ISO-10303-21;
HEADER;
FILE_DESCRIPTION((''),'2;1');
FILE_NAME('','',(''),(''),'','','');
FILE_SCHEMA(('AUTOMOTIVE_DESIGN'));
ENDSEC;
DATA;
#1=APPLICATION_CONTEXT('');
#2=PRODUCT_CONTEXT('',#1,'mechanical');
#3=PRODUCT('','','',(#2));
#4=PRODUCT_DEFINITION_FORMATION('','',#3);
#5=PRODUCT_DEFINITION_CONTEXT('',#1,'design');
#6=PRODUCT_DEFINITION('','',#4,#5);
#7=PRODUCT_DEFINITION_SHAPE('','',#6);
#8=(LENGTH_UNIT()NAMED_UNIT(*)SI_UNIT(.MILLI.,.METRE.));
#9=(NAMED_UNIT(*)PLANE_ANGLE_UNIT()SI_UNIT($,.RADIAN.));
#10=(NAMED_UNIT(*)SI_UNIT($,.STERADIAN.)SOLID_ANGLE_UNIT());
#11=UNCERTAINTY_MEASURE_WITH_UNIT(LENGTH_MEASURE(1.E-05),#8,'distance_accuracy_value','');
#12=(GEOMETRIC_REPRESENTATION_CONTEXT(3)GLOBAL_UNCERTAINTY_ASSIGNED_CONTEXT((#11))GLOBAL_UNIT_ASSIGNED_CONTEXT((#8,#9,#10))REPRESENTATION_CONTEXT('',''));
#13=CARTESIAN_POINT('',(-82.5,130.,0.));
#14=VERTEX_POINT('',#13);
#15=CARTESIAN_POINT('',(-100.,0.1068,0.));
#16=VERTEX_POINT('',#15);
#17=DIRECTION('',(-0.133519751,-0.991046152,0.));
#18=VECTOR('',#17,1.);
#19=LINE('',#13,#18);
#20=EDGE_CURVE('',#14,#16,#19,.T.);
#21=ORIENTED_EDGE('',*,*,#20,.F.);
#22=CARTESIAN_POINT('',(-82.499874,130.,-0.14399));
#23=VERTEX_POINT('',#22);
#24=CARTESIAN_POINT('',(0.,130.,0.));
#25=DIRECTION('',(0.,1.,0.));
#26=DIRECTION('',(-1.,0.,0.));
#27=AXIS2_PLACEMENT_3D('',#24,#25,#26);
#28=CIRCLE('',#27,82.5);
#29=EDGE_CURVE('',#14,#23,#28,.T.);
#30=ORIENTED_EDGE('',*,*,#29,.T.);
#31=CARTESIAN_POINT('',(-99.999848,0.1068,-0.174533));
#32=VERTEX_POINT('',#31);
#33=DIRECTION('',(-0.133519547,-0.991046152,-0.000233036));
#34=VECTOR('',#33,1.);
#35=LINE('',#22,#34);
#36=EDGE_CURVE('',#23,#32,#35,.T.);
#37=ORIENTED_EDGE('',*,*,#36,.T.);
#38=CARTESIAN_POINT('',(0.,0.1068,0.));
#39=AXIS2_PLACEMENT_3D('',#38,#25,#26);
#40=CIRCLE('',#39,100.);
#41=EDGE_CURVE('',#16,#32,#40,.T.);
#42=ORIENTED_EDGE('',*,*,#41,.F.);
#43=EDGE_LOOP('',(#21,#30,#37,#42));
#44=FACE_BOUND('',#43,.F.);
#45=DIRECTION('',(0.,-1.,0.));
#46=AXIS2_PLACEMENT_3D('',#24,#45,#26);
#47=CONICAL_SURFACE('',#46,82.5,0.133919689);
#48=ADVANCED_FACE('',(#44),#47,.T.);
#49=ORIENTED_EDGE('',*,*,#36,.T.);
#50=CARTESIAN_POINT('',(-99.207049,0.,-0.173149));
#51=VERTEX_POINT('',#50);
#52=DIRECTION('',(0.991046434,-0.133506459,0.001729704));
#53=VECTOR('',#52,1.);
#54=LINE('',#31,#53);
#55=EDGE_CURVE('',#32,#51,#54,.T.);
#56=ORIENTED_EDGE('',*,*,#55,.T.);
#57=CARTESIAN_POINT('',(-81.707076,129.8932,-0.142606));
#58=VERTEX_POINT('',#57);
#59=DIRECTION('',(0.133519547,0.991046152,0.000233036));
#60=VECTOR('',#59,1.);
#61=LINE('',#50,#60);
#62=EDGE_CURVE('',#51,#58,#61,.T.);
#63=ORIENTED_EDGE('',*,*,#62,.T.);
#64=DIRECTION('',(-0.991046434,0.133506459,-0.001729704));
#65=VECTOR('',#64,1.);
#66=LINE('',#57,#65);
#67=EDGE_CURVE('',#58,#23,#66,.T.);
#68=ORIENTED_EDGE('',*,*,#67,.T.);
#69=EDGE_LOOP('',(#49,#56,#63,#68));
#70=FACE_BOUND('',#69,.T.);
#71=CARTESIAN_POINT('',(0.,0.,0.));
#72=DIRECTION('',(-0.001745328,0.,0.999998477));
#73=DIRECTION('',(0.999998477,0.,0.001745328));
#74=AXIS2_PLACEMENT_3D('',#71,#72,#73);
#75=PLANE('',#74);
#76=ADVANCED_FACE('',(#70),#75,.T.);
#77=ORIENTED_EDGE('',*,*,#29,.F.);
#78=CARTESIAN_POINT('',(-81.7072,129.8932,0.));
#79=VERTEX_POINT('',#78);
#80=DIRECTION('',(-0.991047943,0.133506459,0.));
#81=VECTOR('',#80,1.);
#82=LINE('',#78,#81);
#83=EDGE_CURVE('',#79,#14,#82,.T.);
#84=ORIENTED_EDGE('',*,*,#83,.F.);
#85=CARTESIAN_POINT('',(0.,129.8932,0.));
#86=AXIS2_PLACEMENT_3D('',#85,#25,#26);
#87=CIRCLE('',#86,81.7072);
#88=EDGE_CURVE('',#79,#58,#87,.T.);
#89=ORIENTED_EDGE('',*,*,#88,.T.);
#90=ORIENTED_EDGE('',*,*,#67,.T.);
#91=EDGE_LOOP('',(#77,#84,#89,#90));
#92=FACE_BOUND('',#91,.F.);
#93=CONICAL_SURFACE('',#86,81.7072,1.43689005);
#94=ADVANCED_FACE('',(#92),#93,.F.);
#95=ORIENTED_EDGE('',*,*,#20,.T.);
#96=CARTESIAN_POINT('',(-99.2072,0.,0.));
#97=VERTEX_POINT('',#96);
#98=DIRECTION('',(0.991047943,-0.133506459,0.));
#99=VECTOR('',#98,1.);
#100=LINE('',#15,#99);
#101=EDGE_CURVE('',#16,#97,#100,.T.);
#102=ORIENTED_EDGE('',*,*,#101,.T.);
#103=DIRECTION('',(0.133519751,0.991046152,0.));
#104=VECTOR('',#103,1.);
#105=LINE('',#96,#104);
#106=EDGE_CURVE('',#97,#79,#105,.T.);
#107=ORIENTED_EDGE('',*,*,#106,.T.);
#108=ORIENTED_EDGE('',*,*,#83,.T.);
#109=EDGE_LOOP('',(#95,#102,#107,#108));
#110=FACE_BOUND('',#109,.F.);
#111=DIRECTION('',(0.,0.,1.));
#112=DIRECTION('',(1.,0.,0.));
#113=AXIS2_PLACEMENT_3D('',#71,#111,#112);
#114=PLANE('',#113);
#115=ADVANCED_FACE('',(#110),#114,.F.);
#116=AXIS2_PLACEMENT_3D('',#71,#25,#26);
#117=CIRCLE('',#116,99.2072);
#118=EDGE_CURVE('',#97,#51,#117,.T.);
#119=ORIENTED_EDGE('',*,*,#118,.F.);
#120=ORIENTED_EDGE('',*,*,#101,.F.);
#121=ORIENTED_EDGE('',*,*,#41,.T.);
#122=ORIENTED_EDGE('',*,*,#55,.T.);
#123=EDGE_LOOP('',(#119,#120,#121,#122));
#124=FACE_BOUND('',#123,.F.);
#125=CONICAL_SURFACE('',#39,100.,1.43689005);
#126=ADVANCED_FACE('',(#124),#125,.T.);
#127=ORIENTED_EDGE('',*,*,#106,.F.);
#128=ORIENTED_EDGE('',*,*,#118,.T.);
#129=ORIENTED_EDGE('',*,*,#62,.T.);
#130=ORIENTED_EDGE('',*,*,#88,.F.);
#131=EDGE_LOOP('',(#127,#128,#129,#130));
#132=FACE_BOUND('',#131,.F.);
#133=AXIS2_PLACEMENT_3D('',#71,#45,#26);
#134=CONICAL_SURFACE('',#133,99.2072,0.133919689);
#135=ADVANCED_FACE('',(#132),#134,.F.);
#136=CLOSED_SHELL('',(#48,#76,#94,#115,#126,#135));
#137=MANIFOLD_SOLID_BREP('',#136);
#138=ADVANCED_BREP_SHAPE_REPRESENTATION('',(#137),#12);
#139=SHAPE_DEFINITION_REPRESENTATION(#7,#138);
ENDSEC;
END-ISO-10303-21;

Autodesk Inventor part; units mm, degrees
ref_plane "YZ Plane" through (0, 0, 0) normal (1, 0, 0) x (0, 1, 0)
ref_plane "XZ Plane" through (0, 0, 0) normal (0, 1, 0) x (-1, 0, 0)
ref_plane "XY Plane" through (0, 0, 0) normal (0, 0, 1) x (1, 0, 0)
sketch "Sketch1" plane through (0, 0, 0) normal (0, 0, 1) x (1, 0, 0)
  line L0 (0, 0) -> (0, 130)
  line L1 (-82.5, 130) -> (-100, 0.1068)
  line L2 (-100, 0.1068) -> (-99.2072, 0)
  line L3 (-99.2072, 0) -> (-81.7072, 129.8932)
  line L4 (-81.7072, 129.8932) -> (-82.5, 130)
  line L5 (-82.5, 130) -> (-99.2072, 0) construction
  line L6 (-100, 0.1068) -> (-81.7072, 129.8932) construction
  point P0 (-90.8536, 65)
  dimension "d0" = 130
  dimension "d4" = 200
  dimension "d6" = 165
  dimension "d7" = 0.8
revolve "Revolution1" add sketch "Sketch1" angle 359.9 about axis through (0, 0, 0) along (0, 1, 0)
equation "\"d7\" = Thickness"
equation "\"BendRadius\" = Thickness"
equation "\"BendReliefWidth\" = Thickness"
equation "\"BendReliefDepth\" = 0.5 * Thickness"
equation "\"CornerReliefSize\" = 4 * Thickness"
equation "\"MinimumRemnant\" = 2 * Thickness"
equation "\"TransitionRadius\" = BendRadius"
equation "\"JacobiRadiusSize\" = BendRadius"
equation "\"GapSize\" = Thickness"
equation "\"Thickness\" = 0.8"
properties part number "МОО 081 ракета хвост" material "Stainless Steel"
